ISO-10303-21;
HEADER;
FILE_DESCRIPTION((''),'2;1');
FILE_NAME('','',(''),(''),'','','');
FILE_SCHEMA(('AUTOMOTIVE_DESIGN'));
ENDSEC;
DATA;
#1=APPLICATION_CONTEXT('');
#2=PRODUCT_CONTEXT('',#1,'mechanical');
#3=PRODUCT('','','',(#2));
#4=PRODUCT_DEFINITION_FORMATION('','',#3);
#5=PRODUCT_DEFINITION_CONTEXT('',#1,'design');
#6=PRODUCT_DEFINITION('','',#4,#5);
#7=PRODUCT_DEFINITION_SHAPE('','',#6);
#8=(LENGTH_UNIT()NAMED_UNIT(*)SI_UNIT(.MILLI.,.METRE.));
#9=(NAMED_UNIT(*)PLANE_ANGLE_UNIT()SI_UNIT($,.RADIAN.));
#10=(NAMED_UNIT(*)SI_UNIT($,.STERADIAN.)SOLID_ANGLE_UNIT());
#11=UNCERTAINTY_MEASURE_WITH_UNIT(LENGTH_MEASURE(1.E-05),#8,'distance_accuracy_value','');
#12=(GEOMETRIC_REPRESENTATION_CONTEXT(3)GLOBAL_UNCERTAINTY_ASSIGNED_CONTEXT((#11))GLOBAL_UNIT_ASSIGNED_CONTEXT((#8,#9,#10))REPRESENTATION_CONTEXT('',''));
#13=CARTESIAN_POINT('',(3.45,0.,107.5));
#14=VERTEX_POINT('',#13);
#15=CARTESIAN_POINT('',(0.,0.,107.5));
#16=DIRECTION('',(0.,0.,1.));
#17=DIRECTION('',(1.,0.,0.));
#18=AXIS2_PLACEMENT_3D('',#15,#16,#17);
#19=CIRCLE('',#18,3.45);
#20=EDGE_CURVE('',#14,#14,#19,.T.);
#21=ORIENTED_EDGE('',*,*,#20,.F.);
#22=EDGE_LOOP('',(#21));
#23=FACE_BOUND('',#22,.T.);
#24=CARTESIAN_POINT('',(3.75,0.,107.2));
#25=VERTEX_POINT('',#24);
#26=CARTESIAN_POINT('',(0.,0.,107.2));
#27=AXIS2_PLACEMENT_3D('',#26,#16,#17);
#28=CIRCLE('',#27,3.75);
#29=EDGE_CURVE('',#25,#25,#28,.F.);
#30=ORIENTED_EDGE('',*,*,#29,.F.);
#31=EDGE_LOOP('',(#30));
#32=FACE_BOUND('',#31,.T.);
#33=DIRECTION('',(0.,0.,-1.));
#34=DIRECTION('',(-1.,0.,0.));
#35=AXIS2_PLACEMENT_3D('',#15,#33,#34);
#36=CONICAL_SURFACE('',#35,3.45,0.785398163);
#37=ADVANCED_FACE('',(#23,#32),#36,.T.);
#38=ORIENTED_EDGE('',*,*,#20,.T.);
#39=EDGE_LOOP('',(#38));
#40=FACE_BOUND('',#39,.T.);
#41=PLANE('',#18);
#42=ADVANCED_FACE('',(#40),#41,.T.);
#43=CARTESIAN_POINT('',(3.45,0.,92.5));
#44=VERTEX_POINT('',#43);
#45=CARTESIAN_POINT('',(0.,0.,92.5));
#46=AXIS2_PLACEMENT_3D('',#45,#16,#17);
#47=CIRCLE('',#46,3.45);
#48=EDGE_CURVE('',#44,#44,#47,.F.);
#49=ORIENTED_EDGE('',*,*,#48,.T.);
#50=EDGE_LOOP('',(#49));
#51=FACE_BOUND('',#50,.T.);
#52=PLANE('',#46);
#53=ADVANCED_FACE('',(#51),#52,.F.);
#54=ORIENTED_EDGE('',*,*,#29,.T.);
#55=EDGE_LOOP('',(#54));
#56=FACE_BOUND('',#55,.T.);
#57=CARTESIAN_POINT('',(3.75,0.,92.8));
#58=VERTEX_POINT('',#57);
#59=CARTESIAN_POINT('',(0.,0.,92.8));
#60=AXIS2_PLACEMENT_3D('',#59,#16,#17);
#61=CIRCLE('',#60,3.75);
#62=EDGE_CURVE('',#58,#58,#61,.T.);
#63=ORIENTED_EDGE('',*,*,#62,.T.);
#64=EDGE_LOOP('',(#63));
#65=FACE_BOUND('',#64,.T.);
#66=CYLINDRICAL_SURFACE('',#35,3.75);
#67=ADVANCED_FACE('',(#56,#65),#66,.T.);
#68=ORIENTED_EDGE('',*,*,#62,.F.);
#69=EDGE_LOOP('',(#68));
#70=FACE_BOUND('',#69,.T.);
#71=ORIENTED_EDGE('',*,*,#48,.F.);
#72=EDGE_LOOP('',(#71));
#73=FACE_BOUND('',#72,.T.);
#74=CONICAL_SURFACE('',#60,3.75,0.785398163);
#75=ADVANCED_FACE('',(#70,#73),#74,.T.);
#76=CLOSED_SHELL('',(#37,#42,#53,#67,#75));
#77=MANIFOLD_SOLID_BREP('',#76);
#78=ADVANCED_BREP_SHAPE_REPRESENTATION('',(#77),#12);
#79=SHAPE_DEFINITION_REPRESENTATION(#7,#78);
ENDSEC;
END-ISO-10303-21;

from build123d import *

# Parameters (mm, degrees)
SKETCH1_R           = 50
BOSS_EXTRUDE1_DEPTH = 200
CHAMFER1_SIZE       = 4
ECHELLE1_SCALE      = 0.075


with BuildPart() as part:
    # Sketch1 → Boss-Extrude1 (new body)
    with BuildSketch(Plane.XY):
        Circle(SKETCH1_R)
    extrude(amount=BOSS_EXTRUDE1_DEPTH)

    # Chamfer1
    chamfer1_edges = [part.edges().sort_by_distance(p)[0] for p in [
        (-50, 0, 0),
        (-50, 0, 200),
    ]]
    chamfer(chamfer1_edges, length=CHAMFER1_SIZE)


with BuildPart() as part_1:
    # Echelle1: scaled about (0, 0, 100)
    add(part.part.scale(ECHELLE1_SCALE).moved(Location((0, 0, 92.5))))


solid = part_1.part
